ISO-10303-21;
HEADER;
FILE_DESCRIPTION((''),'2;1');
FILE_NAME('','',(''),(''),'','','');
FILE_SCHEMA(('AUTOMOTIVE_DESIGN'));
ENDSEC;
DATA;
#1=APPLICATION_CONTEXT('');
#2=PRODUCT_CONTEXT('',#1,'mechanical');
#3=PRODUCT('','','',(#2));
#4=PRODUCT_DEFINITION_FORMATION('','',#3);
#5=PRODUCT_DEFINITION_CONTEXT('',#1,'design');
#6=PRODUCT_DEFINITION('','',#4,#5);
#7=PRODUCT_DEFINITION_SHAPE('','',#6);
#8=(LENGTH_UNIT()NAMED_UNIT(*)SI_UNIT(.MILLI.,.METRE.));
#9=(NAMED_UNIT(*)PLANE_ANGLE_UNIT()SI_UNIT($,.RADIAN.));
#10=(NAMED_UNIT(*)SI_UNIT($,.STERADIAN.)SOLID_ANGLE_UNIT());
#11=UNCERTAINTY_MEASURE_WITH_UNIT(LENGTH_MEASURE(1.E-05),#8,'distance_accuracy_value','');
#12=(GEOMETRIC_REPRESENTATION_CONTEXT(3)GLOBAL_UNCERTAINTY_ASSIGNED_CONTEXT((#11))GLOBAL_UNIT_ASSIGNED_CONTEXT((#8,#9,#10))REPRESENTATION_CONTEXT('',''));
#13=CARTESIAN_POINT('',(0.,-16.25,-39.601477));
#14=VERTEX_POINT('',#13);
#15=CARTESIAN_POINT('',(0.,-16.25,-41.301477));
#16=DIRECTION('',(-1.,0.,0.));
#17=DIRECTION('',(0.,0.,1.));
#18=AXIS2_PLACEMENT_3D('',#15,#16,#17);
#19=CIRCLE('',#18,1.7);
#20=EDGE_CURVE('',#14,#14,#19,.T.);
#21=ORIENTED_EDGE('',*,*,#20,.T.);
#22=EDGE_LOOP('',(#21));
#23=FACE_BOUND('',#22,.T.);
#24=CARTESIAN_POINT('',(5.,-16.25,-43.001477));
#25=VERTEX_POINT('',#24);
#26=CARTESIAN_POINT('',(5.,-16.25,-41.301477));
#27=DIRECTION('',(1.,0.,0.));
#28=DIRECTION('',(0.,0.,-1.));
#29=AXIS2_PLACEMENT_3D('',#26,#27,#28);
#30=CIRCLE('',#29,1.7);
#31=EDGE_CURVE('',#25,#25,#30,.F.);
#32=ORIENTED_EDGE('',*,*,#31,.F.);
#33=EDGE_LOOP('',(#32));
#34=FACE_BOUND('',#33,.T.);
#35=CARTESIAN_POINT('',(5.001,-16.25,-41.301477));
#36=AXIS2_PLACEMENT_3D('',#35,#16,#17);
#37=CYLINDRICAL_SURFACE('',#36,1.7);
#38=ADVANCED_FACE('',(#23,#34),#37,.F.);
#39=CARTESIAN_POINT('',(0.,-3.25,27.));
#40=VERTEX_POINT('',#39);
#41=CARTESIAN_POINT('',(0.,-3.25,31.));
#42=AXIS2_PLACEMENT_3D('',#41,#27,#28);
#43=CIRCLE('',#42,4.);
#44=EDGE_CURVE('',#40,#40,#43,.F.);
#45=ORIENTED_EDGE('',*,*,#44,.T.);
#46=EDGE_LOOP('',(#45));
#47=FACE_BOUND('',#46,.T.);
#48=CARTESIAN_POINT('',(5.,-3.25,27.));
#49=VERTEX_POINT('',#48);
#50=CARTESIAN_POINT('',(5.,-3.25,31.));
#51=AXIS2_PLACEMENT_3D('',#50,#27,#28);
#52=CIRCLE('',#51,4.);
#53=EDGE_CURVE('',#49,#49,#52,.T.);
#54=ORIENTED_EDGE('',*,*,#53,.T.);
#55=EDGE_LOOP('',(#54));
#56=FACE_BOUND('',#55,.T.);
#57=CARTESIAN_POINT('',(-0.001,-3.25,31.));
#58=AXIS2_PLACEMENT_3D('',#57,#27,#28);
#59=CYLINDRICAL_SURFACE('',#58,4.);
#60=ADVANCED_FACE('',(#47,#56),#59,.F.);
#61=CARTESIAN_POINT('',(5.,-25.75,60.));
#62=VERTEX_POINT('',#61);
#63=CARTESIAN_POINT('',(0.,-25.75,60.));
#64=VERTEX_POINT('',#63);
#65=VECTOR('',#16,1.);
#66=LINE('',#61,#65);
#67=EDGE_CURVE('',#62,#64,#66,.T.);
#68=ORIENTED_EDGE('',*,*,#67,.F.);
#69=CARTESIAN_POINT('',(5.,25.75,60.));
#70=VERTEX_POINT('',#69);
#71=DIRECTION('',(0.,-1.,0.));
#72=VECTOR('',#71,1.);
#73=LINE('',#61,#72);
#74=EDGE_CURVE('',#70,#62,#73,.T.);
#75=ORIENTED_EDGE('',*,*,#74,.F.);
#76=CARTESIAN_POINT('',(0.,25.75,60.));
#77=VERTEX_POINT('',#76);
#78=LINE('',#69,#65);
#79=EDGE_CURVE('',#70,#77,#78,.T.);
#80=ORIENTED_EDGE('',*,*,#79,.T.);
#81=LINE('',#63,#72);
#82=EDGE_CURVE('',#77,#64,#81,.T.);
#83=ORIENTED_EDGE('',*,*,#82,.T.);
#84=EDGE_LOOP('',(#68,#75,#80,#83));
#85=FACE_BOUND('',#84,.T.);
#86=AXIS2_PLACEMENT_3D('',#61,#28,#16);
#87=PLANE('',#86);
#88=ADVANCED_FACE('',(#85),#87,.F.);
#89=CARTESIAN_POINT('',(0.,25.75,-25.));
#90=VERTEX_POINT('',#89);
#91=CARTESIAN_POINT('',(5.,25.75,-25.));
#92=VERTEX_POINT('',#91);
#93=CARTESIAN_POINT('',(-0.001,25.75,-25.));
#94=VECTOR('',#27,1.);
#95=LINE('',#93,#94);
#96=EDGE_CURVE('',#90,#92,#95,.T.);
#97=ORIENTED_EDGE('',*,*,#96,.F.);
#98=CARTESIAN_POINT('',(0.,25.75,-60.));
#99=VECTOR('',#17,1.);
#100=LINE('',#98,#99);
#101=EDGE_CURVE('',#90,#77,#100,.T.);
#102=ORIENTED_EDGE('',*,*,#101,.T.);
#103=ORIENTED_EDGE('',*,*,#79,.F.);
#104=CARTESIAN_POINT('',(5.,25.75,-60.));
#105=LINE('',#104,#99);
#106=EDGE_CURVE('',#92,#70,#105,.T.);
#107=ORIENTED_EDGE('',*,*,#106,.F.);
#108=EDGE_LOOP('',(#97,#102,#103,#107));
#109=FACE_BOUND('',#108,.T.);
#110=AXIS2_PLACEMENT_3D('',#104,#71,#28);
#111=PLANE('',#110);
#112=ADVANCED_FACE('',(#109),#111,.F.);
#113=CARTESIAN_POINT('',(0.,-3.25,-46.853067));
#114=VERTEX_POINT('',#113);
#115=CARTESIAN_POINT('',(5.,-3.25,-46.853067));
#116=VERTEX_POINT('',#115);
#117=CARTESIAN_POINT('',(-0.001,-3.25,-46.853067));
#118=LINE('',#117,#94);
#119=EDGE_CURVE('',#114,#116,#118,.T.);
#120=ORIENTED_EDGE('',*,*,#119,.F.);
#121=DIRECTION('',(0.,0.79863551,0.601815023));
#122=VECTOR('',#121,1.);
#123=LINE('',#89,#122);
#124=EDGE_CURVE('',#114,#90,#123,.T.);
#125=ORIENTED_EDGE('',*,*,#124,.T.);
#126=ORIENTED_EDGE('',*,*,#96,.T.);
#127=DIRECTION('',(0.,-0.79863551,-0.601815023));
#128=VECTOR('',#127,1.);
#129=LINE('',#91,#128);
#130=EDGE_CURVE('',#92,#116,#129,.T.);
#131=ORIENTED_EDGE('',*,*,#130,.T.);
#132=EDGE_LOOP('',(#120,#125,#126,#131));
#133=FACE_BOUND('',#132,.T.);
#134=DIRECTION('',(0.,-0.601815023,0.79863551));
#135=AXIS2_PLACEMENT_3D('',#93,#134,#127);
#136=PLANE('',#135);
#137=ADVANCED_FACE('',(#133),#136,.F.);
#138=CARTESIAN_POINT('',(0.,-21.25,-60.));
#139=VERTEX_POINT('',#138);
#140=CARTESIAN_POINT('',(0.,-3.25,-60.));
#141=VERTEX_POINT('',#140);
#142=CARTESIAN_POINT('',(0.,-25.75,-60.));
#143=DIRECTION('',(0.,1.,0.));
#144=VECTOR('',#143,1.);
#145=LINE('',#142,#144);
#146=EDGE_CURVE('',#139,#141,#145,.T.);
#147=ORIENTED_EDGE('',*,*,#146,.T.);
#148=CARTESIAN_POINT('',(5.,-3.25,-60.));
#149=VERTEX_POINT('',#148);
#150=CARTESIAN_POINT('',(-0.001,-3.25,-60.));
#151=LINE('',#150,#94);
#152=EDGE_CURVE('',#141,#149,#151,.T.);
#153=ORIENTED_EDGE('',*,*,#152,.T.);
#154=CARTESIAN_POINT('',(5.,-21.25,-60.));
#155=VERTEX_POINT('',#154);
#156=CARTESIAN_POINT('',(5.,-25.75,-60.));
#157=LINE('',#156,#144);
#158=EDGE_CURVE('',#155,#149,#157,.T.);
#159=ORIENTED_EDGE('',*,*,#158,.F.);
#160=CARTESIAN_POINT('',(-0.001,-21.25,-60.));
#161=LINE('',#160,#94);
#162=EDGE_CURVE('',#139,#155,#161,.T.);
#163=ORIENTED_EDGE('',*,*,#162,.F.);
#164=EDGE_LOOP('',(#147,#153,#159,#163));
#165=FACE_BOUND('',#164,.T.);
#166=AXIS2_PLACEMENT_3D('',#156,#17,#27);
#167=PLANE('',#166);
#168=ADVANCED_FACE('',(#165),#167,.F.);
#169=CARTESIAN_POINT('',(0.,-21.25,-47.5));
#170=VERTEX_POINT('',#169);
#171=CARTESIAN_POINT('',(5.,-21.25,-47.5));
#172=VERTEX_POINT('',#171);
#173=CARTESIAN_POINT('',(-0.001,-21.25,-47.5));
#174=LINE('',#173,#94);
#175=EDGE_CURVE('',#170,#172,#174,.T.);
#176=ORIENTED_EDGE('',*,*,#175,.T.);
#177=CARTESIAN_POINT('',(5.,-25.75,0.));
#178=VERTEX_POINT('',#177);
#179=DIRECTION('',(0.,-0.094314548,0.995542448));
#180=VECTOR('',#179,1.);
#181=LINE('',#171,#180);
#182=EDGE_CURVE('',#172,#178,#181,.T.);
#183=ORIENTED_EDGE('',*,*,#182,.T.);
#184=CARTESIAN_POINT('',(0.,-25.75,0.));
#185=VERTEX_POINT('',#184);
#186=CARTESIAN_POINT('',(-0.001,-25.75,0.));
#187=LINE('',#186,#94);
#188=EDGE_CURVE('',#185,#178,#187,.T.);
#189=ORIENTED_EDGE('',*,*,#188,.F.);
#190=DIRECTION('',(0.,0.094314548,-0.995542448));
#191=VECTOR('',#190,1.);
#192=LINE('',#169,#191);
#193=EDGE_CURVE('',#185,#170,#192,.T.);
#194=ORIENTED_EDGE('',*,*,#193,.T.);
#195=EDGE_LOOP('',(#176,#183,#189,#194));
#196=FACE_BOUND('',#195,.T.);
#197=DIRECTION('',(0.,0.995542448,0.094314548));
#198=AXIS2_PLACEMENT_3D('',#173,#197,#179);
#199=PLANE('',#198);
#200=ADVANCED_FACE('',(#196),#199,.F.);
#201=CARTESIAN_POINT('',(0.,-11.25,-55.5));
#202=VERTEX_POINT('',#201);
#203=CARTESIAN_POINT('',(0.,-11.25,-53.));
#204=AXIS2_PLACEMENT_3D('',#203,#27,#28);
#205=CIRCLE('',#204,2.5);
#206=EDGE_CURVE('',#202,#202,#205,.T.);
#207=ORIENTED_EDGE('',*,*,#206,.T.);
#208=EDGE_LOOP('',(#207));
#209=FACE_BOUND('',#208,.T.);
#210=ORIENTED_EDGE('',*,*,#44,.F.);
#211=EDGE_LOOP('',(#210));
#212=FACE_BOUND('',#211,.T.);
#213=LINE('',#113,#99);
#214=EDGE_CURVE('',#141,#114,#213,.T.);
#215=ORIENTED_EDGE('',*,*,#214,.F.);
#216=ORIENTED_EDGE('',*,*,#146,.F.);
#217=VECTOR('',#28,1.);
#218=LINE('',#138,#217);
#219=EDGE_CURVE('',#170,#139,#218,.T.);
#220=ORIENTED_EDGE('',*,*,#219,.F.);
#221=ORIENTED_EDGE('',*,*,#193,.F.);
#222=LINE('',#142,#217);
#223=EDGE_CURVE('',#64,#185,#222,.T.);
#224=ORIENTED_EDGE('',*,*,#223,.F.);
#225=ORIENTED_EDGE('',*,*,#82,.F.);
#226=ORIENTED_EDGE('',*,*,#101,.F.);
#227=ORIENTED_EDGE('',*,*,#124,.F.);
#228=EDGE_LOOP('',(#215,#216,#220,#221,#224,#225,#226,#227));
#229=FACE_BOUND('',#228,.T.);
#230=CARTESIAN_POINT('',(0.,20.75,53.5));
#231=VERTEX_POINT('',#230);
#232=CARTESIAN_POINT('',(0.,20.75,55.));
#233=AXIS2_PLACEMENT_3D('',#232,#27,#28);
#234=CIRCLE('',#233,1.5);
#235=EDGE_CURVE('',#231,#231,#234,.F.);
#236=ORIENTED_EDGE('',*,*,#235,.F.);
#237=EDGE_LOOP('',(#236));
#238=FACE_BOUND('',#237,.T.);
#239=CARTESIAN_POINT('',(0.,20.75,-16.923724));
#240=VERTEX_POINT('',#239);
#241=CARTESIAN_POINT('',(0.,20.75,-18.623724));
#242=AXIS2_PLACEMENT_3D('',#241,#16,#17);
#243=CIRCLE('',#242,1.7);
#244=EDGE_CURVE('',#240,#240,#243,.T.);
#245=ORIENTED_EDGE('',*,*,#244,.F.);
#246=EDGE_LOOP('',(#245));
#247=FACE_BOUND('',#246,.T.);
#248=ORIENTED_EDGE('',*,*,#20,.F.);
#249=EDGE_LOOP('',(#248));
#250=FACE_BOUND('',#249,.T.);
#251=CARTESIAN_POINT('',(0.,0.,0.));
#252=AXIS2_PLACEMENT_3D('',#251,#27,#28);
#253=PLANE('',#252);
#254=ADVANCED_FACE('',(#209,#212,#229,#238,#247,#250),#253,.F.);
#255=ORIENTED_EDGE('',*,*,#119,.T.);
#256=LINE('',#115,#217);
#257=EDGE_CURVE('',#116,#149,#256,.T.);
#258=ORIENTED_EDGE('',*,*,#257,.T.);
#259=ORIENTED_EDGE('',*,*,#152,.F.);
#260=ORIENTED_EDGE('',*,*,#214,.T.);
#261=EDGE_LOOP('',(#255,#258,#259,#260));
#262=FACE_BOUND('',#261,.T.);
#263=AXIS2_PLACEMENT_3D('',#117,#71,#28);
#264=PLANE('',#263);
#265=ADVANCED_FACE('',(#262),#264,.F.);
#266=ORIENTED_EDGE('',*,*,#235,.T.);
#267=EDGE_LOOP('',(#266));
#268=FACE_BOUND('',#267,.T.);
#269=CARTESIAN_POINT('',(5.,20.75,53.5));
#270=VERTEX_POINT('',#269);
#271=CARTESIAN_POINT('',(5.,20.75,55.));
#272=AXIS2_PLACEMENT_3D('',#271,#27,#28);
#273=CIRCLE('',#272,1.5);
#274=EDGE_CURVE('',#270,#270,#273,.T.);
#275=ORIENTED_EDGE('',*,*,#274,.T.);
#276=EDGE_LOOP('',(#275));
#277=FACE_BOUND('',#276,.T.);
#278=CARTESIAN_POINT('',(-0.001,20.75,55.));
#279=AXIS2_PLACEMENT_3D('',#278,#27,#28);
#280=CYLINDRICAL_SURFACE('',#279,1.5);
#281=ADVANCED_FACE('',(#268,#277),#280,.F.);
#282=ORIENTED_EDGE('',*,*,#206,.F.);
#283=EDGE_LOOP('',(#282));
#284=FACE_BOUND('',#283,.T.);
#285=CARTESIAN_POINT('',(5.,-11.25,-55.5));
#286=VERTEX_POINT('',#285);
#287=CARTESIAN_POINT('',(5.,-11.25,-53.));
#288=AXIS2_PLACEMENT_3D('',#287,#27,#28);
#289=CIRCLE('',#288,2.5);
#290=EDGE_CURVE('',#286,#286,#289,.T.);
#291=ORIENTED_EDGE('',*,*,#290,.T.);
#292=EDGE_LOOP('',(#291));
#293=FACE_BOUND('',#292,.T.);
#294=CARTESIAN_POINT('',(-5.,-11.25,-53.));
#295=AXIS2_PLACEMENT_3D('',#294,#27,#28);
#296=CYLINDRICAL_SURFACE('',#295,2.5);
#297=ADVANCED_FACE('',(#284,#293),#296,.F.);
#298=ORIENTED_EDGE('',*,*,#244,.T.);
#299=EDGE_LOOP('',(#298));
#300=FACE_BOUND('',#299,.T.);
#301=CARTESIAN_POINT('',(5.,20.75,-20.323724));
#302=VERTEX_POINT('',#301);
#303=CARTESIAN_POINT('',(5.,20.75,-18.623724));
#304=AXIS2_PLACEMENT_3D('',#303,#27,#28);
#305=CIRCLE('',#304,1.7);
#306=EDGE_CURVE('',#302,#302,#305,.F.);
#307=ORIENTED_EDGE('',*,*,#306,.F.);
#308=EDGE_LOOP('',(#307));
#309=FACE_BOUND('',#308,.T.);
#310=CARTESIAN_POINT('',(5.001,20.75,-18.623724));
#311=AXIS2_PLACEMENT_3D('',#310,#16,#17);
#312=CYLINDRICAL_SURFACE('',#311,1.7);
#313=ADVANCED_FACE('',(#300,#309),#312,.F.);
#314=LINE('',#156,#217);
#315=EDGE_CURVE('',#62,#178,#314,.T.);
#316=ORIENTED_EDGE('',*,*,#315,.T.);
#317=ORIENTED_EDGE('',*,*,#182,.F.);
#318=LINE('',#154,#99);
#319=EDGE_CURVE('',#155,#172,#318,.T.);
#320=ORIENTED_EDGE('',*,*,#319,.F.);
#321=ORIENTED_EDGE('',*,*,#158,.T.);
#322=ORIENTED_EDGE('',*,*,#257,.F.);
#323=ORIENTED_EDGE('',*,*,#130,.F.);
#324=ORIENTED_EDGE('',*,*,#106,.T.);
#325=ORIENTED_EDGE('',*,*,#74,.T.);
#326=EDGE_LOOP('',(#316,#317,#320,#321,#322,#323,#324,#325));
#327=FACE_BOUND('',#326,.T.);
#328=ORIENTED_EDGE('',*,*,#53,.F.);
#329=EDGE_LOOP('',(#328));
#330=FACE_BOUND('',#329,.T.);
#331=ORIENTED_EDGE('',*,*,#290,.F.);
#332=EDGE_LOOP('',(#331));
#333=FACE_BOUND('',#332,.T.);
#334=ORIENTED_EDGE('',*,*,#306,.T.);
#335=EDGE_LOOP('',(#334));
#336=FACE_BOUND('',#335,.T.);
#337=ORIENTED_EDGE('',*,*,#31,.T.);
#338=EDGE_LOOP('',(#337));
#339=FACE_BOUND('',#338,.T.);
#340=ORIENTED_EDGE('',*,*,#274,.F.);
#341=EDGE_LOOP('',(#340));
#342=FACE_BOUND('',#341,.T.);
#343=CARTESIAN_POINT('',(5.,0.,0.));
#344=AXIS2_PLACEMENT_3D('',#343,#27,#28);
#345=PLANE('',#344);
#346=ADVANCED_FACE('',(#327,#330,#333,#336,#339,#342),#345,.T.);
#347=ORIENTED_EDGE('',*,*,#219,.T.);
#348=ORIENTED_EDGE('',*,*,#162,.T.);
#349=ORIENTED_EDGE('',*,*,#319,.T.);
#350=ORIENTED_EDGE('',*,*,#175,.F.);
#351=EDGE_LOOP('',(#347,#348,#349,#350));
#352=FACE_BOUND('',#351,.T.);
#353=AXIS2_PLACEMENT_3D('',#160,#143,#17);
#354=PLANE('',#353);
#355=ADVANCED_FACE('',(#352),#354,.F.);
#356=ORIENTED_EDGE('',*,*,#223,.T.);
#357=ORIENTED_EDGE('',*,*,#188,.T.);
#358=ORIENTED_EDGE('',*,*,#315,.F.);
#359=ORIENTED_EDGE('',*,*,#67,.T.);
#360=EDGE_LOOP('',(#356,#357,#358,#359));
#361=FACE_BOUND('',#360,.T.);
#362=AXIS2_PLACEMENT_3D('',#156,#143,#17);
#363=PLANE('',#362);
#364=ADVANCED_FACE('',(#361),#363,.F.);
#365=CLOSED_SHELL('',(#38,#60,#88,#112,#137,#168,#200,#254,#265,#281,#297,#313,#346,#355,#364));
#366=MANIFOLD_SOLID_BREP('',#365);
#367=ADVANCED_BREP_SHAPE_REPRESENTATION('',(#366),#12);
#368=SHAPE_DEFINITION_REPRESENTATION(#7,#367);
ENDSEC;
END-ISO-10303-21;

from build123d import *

# Parameters (mm, degrees)
CROQUIS1_W              = 120
CROQUIS1_H              = 51.5
SALIENTE_EXTRUIR1_DEPTH = 5
CORTAR_EXTRUIR1_REACH   = 7
CORTAR_EXTRUIR2_REACH   = 7
CROQUIS3_R              = 1.5
CROQUIS3_R_2            = 4
CORTAR_EXTRUIR3_REACH   = 7
CROQUIS4_R              = 1.7
CORTAR_EXTRUIR4_REACH   = 7
CROQUIS9_R              = 2.5
CORTAR_EXTRUIR8_DEPTH   = 10


with BuildPart() as part:
    # Croquis1 → Saliente-Extruir1 (new body)
    with BuildSketch(Plane(origin=(0, 0, 0), x_dir=(0, 0, -1), z_dir=(1, 0, 0))):
        Rectangle(CROQUIS1_W, CROQUIS1_H)
    extrude(amount=SALIENTE_EXTRUIR1_DEPTH)

    # Croquis2 → Cortar-Extruir1 (cut, up to next)
    with BuildSketch(Plane(origin=(5, 0, 0), x_dir=(0, 0, -1), z_dir=(1, 0, 0)), mode=Mode.PRIVATE) as cortar_extruir1_sk1:
        Polygon((25, 25.75), (46.853067453, -3.25), (60, -3.25), (60, 25.75), align=None)
    cortar_extruir1_tool1 = extrude(cortar_extruir1_sk1.sketch, amount=-CORTAR_EXTRUIR1_REACH, mode=Mode.PRIVATE) & part.part
    add(cortar_extruir1_tool1.solids().sort_by_distance((5, 13.443767, -47.136706))[0], mode=Mode.SUBTRACT)

    # Croquis3 → Cortar-Extruir2 (cut, up to next)
    with BuildSketch(Plane(origin=(5, 0, 0), x_dir=(0, 0, -1), z_dir=(1, 0, 0)), mode=Mode.PRIVATE) as cortar_extruir2_sk1:
        with Locations((-55, 20.75)):
            Circle(CROQUIS3_R)
    cortar_extruir2_tool1 = extrude(cortar_extruir2_sk1.sketch, amount=-CORTAR_EXTRUIR2_REACH, mode=Mode.PRIVATE) & part.part
    add(cortar_extruir2_tool1.solids().sort_by_distance((5, 20.75, 55))[0], mode=Mode.SUBTRACT)
    # Croquis3 → Cortar-Extruir2 (cut, up to next)
    with BuildSketch(Plane(origin=(5, 0, 0), x_dir=(0, 0, -1), z_dir=(1, 0, 0)), mode=Mode.PRIVATE) as cortar_extruir2_sk2:
        with Locations((-31, -3.25)):
            Circle(CROQUIS3_R_2)
    cortar_extruir2_tool2 = extrude(cortar_extruir2_sk2.sketch, amount=-CORTAR_EXTRUIR2_REACH, mode=Mode.PRIVATE) & part.part
    add(cortar_extruir2_tool2.solids().sort_by_distance((5, -3.25, 31))[0], mode=Mode.SUBTRACT)

    # Croquis4 → Cortar-Extruir3 (cut, up to next)
    with BuildSketch(Plane.ZY, mode=Mode.PRIVATE) as cortar_extruir3_sk1:
        with Locations((-18.623723721, 20.75)):
            Circle(CROQUIS4_R)
    cortar_extruir3_tool1 = extrude(cortar_extruir3_sk1.sketch, amount=-CORTAR_EXTRUIR3_REACH, mode=Mode.PRIVATE) & part.part
    add(cortar_extruir3_tool1.solids().sort_by_distance((0, 20.75, -18.623724))[0], mode=Mode.SUBTRACT)
    # Croquis4 → Cortar-Extruir3 (cut, up to next)
    with BuildSketch(Plane.ZY, mode=Mode.PRIVATE) as cortar_extruir3_sk2:
        with Locations((-41.301477372, -16.25)):
            Circle(CROQUIS4_R)
    cortar_extruir3_tool2 = extrude(cortar_extruir3_sk2.sketch, amount=-CORTAR_EXTRUIR3_REACH, mode=Mode.PRIVATE) & part.part
    add(cortar_extruir3_tool2.solids().sort_by_distance((0, -16.25, -41.301477))[0], mode=Mode.SUBTRACT)

    # Croquis5 → Cortar-Extruir4 (cut, up to next)
    with BuildSketch(Plane(origin=(5, 0, 0), x_dir=(0, 0, -1), z_dir=(1, 0, 0)), mode=Mode.PRIVATE) as cortar_extruir4_sk1:
        Polygon((47.5, -21.25), (0, -25.75), (47.5, -25.75), (60, -25.75), (60, -21.25), align=None)
    cortar_extruir4_tool1 = extrude(cortar_extruir4_sk1.sketch, amount=-CORTAR_EXTRUIR4_REACH, mode=Mode.PRIVATE) & part.part
    add(cortar_extruir4_tool1.solids().sort_by_distance((5, -23.991379, -39.281609))[0], mode=Mode.SUBTRACT)

    # Croquis9 → Cortar-Extruir8 (cut)
    with BuildSketch(Plane(origin=(5, 0, 0), x_dir=(0, 0, -1), z_dir=(1, 0, 0))):
        with Locations((53, -11.25)):
            Circle(CROQUIS9_R)
    extrude(amount=-CORTAR_EXTRUIR8_DEPTH, mode=Mode.SUBTRACT)


solid = part.part
